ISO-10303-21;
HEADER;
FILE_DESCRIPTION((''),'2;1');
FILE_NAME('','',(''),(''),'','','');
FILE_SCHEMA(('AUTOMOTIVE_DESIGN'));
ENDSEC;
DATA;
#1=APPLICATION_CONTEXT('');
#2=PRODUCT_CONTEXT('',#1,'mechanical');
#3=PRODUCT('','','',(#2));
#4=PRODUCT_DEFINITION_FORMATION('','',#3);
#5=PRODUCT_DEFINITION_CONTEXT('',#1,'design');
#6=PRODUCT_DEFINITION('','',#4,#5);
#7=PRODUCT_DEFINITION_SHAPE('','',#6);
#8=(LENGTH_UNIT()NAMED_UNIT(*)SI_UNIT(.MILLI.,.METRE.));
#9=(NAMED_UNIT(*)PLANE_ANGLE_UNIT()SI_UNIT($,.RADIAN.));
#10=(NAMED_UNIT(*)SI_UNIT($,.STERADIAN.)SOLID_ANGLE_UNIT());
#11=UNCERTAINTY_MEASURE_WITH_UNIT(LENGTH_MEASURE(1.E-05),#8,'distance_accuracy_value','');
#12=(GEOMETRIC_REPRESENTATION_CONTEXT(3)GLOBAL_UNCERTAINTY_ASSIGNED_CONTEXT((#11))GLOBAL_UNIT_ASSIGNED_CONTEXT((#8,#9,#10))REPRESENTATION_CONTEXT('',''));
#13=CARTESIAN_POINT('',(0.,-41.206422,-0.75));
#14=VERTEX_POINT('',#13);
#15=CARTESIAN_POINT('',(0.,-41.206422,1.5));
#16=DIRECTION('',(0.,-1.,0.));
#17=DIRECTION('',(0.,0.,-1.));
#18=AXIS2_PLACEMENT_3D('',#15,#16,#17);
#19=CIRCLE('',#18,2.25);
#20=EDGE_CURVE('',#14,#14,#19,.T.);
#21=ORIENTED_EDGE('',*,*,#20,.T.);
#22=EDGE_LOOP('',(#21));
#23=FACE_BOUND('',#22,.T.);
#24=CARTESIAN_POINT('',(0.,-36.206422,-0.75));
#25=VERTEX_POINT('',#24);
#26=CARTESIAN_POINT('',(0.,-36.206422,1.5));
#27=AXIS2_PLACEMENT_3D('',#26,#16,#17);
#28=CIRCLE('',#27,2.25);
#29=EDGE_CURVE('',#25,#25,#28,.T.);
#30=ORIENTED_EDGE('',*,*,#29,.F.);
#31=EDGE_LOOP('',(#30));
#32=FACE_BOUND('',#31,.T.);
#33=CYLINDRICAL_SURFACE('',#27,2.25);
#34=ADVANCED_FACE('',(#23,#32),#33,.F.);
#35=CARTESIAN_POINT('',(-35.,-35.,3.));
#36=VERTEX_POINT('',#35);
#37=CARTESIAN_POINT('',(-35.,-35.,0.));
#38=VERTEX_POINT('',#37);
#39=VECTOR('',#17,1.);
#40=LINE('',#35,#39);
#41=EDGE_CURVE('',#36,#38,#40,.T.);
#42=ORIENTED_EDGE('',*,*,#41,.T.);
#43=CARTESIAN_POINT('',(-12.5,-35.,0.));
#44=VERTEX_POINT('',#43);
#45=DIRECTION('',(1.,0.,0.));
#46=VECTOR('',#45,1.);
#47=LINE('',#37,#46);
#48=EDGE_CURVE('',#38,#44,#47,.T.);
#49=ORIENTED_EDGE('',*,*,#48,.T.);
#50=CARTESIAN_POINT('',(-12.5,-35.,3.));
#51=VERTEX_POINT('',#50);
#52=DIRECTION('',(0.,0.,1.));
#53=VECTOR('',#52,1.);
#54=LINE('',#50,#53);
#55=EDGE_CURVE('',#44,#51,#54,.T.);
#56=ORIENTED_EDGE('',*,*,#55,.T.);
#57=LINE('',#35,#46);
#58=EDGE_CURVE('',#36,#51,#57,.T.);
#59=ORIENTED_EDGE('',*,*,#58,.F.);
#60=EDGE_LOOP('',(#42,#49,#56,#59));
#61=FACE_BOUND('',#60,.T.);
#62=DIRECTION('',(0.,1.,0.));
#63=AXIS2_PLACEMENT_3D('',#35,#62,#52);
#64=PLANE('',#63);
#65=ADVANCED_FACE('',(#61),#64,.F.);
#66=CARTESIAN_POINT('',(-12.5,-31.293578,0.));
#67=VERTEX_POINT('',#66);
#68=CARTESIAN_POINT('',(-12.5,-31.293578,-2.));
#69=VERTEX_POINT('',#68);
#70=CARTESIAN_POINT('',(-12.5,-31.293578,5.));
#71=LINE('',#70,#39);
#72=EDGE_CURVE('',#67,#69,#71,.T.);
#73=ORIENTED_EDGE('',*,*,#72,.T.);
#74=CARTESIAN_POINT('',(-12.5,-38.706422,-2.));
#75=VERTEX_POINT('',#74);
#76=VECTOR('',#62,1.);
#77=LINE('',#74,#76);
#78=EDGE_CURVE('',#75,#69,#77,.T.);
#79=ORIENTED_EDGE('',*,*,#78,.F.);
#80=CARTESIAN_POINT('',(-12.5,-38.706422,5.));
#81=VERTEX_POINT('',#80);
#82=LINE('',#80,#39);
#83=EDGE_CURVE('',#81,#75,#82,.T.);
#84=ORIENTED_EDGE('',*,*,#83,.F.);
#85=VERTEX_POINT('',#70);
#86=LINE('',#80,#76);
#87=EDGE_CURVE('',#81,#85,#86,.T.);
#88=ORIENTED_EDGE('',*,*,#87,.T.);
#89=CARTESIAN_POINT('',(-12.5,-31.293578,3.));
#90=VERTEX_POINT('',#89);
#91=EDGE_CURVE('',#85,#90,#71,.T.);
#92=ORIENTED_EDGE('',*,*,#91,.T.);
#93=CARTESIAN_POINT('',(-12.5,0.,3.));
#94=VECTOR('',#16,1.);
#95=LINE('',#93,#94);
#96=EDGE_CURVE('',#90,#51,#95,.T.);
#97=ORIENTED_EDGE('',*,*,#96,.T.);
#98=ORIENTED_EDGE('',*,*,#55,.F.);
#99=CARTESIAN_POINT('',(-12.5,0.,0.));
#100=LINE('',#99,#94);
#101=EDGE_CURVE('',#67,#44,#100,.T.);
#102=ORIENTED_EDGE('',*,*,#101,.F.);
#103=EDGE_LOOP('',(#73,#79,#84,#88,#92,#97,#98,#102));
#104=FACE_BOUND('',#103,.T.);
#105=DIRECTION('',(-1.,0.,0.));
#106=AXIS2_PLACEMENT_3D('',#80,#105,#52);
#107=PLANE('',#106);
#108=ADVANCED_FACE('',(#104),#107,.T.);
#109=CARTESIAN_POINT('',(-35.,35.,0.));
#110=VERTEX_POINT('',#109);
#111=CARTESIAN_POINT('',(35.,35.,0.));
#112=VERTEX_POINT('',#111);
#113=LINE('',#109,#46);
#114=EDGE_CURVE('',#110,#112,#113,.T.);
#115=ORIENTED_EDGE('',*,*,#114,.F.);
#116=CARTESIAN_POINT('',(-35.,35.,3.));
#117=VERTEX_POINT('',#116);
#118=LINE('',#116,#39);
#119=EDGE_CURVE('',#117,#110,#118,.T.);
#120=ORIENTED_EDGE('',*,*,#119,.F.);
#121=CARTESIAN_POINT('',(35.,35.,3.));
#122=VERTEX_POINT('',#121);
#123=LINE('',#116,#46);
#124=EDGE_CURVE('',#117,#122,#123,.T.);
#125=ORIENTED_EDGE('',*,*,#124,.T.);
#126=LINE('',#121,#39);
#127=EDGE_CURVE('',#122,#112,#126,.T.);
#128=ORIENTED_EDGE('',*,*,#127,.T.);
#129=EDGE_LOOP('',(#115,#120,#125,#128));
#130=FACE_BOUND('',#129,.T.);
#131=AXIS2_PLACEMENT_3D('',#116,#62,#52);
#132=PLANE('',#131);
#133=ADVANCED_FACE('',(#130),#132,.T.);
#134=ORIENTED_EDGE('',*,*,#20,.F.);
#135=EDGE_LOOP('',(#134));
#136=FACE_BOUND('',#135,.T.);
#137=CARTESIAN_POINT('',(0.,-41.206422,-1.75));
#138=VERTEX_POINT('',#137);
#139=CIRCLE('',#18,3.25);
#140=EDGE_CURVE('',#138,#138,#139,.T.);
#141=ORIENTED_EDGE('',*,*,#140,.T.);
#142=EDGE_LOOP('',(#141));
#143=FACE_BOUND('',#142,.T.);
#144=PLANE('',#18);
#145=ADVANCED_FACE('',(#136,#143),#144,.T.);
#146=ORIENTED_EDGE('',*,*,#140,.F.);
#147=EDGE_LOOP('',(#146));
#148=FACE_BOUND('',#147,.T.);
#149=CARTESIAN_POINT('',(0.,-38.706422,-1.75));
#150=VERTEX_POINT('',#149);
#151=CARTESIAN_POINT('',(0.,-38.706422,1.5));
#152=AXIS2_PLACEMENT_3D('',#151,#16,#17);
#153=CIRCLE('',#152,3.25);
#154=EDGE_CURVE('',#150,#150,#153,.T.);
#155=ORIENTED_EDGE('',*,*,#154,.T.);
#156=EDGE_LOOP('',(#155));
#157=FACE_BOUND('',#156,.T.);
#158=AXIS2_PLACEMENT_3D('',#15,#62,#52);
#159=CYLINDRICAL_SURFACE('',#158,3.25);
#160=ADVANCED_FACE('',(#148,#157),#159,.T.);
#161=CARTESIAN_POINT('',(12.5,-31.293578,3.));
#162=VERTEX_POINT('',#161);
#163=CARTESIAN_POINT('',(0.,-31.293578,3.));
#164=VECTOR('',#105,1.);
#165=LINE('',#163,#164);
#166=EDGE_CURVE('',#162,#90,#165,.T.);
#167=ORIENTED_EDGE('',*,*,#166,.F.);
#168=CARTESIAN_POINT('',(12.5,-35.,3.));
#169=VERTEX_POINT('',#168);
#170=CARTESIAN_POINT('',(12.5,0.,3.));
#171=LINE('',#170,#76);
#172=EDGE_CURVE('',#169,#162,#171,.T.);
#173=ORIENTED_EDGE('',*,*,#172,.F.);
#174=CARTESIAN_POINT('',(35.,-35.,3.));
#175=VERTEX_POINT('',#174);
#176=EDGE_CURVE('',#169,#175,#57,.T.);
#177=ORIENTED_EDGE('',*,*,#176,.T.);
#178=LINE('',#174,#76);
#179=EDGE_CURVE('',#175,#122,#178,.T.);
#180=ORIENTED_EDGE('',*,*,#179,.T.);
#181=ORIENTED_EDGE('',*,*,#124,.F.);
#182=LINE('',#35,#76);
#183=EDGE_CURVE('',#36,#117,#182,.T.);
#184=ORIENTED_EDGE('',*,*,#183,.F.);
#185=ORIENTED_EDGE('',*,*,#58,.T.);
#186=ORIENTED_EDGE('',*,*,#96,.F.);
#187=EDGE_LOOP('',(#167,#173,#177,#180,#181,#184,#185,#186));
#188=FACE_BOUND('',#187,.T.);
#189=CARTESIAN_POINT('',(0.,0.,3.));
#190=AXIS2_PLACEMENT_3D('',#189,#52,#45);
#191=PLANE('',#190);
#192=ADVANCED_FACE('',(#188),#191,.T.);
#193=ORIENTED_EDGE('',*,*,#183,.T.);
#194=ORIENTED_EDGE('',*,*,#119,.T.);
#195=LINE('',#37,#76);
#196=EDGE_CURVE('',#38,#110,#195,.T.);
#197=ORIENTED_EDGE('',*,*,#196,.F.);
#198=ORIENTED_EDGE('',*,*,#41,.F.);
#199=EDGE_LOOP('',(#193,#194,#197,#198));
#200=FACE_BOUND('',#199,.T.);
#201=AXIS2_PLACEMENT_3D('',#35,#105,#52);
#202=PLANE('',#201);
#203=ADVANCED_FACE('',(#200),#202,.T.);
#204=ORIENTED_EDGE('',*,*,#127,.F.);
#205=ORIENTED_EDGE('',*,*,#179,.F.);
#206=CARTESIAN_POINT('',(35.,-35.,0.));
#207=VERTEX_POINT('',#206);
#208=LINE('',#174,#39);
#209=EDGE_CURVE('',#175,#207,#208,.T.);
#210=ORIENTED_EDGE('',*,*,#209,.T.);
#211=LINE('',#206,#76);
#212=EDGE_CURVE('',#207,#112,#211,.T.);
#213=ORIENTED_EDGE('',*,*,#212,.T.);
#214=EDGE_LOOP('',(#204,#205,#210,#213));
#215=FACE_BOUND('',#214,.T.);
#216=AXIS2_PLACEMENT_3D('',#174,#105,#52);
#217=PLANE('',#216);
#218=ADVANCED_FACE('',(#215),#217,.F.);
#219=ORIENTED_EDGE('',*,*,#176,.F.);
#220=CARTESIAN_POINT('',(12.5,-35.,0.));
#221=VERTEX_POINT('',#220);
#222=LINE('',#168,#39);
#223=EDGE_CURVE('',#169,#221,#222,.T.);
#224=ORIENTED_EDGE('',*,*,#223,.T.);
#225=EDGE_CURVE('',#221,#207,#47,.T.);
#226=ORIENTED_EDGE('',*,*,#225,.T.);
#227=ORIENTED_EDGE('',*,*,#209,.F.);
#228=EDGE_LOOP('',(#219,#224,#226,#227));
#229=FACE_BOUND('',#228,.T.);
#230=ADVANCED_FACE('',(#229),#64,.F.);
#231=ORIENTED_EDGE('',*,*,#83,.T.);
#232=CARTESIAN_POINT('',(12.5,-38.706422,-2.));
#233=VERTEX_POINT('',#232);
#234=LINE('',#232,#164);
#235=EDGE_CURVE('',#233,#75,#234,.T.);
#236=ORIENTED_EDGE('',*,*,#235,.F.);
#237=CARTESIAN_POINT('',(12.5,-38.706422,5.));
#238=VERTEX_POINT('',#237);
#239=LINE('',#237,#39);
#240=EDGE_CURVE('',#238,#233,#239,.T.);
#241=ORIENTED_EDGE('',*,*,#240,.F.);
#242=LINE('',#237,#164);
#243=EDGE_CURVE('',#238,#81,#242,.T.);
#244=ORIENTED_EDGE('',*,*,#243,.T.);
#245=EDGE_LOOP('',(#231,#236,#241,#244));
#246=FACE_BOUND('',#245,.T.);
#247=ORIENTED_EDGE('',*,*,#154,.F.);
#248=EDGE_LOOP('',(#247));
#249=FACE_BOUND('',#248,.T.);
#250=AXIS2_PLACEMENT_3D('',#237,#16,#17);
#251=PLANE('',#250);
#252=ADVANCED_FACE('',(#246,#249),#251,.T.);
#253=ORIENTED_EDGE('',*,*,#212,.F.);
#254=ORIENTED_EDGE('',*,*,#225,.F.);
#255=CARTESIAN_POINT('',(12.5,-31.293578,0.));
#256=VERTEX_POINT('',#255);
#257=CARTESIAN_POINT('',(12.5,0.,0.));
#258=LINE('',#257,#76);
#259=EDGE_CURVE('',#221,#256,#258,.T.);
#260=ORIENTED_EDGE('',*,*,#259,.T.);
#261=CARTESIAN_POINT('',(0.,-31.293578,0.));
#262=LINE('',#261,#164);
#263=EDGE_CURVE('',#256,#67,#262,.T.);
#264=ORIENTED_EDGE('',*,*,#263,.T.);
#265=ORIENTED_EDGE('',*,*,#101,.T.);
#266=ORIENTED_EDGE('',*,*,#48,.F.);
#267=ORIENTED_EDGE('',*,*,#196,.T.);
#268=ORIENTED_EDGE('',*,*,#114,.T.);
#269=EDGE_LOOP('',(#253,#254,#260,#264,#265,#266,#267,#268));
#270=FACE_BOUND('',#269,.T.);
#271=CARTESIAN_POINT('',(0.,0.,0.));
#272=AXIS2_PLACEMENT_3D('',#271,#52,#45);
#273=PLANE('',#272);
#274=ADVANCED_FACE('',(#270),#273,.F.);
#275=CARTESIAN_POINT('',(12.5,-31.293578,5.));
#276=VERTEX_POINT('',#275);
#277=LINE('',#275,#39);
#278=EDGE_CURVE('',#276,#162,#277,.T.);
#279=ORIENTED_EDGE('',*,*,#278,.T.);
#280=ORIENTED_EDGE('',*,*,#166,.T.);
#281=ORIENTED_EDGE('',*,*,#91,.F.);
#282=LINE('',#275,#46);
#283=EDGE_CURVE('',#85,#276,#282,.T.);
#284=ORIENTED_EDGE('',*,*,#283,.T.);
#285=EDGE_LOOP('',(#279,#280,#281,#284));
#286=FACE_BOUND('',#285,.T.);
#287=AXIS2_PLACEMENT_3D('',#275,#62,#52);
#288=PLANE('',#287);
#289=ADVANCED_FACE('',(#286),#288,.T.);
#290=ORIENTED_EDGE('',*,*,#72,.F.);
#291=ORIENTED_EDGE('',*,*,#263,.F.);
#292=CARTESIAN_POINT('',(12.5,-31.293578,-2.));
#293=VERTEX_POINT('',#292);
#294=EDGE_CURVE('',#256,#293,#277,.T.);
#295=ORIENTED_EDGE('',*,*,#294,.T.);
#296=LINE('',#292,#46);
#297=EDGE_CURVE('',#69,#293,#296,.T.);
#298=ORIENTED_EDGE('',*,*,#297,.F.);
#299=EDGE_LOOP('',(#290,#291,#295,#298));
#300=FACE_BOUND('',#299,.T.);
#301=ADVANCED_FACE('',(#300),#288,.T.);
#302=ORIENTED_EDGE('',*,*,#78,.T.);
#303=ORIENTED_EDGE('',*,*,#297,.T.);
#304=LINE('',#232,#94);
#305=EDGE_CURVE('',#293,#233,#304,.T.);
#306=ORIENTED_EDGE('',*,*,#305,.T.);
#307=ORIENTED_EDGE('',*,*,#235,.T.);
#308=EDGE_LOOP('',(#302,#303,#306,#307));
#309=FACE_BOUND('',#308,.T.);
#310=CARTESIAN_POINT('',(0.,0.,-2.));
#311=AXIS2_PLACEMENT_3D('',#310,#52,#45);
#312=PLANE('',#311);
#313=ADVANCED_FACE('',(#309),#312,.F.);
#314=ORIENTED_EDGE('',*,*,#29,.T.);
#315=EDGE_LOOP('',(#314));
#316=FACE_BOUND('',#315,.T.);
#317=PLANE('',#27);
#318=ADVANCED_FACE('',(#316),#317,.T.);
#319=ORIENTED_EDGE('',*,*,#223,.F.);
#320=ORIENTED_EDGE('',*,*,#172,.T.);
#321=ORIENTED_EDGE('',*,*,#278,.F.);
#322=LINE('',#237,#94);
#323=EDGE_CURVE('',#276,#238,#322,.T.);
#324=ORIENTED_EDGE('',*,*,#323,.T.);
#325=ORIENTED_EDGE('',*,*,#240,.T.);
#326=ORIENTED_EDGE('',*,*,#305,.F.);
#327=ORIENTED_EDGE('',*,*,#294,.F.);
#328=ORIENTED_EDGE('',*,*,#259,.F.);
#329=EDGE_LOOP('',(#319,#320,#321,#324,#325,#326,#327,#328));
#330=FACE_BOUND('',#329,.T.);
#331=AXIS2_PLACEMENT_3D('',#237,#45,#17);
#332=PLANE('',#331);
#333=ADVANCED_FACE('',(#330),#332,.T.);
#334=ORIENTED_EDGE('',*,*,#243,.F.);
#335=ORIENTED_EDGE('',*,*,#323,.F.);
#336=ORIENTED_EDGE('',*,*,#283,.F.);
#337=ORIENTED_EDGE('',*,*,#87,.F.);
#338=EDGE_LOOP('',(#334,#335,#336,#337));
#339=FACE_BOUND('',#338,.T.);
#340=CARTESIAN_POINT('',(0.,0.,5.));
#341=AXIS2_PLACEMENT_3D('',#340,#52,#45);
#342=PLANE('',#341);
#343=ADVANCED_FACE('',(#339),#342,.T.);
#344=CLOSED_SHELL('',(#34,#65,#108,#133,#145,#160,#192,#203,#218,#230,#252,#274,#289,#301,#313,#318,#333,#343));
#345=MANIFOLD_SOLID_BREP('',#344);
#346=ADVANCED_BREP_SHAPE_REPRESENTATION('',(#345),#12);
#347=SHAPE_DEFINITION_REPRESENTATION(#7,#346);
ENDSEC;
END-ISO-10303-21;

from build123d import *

# Parameters (mm, degrees)
SKETCH1_W                = 70
SKETCH1_H                = 70
BOSS_EXTRUDE1_DEPTH      = 3
BOSS_EXTRUDE2_DEPTH      = 2
BOSS_EXTRUDE2_DEPTH_BACK = 5
SKETCH2_W                = 25
SKETCH2_H                = 7.41284488
SKETCH3_R                = 2.25
CUT_EXTRUDE1_DEPTH       = 2.5
BOSS_EXTRUDE3_START      = 2.5
SKETCH4_R                = 3.25
SKETCH4_R_2              = 2.25
BOSS_EXTRUDE3_DEPTH      = 2.5


with BuildPart() as part:
    # Sketch1 → Boss-Extrude1 (new body)
    with BuildSketch(Plane.XY):
        Rectangle(SKETCH1_W, SKETCH1_H)
    extrude(amount=BOSS_EXTRUDE1_DEPTH)

    # Sketch2 → Boss-Extrude2 (add, two sides: drawn at the far end of the back side and taken through both)
    with BuildSketch(Plane(origin=(0, 0, 0), x_dir=(-1, 0, 0), z_dir=(0, 0, -1)).offset(-BOSS_EXTRUDE2_DEPTH_BACK)):
        with Locations((0, -35)):
            Rectangle(SKETCH2_W, SKETCH2_H)
    extrude(amount=BOSS_EXTRUDE2_DEPTH + BOSS_EXTRUDE2_DEPTH_BACK)

    # Sketch3 → Cut-Extrude1 (cut)
    with BuildSketch(Plane.XZ.offset(38.70642244)):
        with Locations(Location((0, 1.5, 0), (0, 0, 270))):
            Circle(SKETCH3_R)
    extrude(amount=-CUT_EXTRUDE1_DEPTH, mode=Mode.SUBTRACT)

    # Sketch4 → Boss-Extrude3 (add)
    with BuildSketch(Plane.XZ.offset(38.70642244).offset(BOSS_EXTRUDE3_START)):
        with Locations(Location((0, 1.5, 0), (0, 0, 270))):
            Circle(SKETCH4_R)
        with Locations(Location((0, 1.5, 0), (0, 0, 270))):
            Circle(SKETCH4_R_2, mode=Mode.SUBTRACT)
    extrude(amount=-BOSS_EXTRUDE3_DEPTH)


solid = part.part
